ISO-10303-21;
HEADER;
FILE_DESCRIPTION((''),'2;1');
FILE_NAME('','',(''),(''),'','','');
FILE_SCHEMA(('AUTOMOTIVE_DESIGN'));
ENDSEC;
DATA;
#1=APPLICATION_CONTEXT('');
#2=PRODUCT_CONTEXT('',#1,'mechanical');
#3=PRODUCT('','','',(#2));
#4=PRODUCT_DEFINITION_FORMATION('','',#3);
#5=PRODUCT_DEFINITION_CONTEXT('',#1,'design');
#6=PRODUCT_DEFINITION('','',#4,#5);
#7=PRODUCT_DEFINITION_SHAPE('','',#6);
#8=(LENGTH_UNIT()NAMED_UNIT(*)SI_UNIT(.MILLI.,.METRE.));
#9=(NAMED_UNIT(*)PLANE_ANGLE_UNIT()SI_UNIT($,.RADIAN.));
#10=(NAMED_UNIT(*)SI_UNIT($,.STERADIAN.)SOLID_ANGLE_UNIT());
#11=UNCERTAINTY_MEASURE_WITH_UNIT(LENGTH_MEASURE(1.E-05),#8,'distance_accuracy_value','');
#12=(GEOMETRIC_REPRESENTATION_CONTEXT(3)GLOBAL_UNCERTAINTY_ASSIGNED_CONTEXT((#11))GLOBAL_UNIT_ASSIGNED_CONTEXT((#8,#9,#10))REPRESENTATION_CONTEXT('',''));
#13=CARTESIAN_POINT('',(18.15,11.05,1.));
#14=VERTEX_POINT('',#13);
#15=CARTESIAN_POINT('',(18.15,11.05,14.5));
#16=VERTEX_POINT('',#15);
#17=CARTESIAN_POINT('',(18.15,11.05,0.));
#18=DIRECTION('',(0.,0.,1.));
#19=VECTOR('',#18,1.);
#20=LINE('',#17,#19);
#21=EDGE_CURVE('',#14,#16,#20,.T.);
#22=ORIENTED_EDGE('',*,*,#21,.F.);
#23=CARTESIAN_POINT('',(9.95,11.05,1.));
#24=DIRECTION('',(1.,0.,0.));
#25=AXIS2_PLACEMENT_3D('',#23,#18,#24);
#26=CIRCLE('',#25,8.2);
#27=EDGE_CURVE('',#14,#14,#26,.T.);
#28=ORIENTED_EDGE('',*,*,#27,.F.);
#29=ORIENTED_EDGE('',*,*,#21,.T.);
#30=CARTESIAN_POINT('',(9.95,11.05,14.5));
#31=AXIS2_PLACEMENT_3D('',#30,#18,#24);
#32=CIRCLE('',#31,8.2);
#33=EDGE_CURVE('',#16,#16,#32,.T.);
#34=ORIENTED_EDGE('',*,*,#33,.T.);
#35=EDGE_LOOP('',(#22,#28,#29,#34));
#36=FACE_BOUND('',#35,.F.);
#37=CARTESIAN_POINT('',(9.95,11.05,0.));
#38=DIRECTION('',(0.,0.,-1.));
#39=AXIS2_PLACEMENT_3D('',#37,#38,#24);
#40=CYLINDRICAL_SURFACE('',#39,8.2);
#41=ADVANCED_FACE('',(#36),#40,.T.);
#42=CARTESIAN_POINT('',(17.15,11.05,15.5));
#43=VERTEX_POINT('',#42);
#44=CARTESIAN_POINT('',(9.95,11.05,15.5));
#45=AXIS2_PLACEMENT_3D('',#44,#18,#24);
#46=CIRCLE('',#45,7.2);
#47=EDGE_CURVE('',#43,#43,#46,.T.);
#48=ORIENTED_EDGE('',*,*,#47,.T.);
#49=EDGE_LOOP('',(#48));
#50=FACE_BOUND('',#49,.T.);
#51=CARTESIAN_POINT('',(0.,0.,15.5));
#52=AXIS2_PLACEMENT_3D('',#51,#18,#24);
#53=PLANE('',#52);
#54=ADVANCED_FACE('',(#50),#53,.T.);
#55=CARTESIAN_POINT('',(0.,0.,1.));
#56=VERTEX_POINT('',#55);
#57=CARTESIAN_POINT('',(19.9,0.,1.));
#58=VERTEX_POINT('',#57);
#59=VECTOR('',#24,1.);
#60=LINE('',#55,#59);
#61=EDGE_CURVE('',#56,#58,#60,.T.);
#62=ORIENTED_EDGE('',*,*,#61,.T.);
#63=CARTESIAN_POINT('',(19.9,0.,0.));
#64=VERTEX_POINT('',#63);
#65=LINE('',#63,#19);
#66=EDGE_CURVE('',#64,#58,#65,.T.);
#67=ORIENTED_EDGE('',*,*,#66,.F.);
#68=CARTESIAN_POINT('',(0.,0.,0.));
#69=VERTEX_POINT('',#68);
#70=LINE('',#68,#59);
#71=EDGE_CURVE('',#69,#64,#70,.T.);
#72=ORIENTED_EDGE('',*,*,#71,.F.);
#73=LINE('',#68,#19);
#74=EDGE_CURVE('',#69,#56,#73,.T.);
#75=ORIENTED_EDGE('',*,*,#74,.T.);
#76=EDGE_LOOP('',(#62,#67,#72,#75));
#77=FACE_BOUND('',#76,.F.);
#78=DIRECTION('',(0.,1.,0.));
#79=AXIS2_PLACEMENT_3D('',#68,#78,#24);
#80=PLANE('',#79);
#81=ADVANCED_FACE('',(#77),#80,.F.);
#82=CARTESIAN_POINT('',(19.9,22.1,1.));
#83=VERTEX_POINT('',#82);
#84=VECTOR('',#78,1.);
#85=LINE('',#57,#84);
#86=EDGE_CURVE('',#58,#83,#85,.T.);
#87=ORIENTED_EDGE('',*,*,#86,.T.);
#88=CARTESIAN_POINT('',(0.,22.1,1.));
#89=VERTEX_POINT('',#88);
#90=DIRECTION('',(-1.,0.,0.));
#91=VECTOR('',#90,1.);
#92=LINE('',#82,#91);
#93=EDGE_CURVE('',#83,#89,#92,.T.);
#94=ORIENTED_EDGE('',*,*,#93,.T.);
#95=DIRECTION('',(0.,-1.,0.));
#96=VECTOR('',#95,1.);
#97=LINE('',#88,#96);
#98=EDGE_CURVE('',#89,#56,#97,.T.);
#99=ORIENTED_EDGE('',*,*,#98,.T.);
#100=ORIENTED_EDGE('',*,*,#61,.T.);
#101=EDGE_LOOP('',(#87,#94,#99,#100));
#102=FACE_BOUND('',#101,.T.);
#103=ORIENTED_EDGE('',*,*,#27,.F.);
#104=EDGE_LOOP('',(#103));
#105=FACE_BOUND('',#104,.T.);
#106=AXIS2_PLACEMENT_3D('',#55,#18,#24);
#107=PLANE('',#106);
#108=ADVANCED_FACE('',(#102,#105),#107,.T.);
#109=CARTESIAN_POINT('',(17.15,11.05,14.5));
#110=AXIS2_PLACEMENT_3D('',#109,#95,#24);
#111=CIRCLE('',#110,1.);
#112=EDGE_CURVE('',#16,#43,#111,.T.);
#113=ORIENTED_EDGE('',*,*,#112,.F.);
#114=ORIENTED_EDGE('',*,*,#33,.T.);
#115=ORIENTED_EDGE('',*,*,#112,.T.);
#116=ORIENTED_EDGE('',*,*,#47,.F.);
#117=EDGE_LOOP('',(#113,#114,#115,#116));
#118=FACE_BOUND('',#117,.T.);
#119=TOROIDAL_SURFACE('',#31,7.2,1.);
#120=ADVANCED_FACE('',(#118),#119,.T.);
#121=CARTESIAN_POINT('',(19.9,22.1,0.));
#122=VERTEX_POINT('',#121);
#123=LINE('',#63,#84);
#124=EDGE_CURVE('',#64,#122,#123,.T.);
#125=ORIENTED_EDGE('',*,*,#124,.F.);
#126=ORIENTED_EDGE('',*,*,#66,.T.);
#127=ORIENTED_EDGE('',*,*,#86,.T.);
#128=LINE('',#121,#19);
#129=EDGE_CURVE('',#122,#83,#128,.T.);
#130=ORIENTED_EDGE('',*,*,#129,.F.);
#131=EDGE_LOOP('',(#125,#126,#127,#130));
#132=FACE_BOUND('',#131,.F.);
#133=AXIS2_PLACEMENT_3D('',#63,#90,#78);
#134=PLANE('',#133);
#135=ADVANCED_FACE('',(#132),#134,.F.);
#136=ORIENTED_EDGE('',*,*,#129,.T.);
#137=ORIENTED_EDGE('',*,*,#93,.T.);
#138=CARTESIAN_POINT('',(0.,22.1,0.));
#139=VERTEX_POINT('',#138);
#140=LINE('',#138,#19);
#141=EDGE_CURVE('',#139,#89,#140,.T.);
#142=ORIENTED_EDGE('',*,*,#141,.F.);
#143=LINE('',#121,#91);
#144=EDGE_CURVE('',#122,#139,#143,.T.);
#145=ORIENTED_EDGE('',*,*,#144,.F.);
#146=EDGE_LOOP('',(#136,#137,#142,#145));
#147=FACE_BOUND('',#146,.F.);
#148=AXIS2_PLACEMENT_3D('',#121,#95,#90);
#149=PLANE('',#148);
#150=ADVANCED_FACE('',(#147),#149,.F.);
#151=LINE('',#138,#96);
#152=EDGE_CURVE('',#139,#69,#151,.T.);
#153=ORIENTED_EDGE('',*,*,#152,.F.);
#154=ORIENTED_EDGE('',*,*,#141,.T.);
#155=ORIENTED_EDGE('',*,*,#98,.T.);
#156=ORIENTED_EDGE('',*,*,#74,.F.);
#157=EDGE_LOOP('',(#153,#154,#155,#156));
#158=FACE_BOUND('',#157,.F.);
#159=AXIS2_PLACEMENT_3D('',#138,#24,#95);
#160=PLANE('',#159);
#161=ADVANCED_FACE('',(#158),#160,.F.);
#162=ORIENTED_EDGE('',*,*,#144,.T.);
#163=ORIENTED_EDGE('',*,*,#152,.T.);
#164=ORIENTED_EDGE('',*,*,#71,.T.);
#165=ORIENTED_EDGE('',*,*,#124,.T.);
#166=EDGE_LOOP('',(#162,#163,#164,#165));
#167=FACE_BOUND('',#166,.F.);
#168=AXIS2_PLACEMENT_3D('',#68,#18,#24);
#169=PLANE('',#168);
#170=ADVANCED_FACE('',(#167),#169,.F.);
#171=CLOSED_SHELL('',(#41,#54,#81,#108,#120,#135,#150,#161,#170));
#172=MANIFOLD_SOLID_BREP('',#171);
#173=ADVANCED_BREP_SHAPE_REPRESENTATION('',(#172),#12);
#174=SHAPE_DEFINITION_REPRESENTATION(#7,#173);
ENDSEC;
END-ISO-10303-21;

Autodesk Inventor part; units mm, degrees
ref_plane "YZ Plane" through (0, 0, 0) normal (1, 0, 0) x (0, 1, 0)
ref_plane "XZ Plane" through (0, 0, 0) normal (0, 1, 0) x (-1, 0, 0)
ref_plane "XY Plane" through (0, 0, 0) normal (0, 0, 1) x (1, 0, 0)
sketch "Boceto1" plane through (0, 0, 0) normal (0, 0, 1) x (1, 0, 0)
  line L0 (0, 0) -> (19.9, 0)
  line L1 (19.9, 0) -> (19.9, 22.1)
  line L2 (19.9, 22.1) -> (0, 22.1)
  line L3 (0, 22.1) -> (0, 0)
  circle A0 centre (9.95, 11.05) radius 8.2
  dimension "d0" = 19.9
  dimension "d1" = 22.1
  dimension "d2" = 16.4
extrude "Extrusión1" add sketch "Boceto1" along normal blind 1
extrude "Extrusión2" add sketch "Boceto1" along normal blind 15.5 contours A0
fillet "Empalme1" radius 1 1 edges at (1.75, 11.05, 15.5)
properties part number "LV-MaxSonar-EZ"
